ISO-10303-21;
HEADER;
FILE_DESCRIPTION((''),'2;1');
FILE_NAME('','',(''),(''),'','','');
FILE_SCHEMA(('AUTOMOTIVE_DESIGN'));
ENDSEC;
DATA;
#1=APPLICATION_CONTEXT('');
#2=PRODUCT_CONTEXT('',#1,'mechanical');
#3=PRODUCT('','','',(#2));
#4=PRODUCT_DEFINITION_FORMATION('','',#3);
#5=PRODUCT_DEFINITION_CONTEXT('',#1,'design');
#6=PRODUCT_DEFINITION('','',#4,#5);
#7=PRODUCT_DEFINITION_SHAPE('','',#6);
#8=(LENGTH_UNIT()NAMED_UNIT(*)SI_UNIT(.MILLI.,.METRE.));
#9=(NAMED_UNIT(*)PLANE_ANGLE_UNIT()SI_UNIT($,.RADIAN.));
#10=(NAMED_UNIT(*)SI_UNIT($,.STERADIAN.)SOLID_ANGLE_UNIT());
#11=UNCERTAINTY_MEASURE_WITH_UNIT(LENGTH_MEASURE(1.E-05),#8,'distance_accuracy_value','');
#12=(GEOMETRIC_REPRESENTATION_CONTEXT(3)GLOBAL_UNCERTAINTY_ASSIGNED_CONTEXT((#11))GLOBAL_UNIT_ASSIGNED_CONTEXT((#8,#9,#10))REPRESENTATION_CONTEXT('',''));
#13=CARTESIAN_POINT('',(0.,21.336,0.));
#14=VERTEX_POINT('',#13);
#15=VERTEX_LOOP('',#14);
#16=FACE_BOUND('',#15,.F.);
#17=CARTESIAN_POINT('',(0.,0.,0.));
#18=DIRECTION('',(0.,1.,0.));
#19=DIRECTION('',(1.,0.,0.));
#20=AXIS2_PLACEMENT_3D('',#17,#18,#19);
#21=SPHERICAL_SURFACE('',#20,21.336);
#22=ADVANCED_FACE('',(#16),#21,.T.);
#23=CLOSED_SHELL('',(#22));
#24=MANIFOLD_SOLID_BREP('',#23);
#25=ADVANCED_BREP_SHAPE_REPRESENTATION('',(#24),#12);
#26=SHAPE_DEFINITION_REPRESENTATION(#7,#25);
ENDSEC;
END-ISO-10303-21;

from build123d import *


with BuildPart() as part:
    # Sketch1 → Revolve2 (revolve)
    with BuildSketch(Plane.XY):
        with BuildLine():
            Line((0, 21.336), (0, -21.336))
            ThreePointArc((0, -21.336), (21.336, 0), (0, 21.336))
        make_face()
    revolve(axis=Axis((0, 23.4696, 0), (0, -1, 0)))


solid = part.part
